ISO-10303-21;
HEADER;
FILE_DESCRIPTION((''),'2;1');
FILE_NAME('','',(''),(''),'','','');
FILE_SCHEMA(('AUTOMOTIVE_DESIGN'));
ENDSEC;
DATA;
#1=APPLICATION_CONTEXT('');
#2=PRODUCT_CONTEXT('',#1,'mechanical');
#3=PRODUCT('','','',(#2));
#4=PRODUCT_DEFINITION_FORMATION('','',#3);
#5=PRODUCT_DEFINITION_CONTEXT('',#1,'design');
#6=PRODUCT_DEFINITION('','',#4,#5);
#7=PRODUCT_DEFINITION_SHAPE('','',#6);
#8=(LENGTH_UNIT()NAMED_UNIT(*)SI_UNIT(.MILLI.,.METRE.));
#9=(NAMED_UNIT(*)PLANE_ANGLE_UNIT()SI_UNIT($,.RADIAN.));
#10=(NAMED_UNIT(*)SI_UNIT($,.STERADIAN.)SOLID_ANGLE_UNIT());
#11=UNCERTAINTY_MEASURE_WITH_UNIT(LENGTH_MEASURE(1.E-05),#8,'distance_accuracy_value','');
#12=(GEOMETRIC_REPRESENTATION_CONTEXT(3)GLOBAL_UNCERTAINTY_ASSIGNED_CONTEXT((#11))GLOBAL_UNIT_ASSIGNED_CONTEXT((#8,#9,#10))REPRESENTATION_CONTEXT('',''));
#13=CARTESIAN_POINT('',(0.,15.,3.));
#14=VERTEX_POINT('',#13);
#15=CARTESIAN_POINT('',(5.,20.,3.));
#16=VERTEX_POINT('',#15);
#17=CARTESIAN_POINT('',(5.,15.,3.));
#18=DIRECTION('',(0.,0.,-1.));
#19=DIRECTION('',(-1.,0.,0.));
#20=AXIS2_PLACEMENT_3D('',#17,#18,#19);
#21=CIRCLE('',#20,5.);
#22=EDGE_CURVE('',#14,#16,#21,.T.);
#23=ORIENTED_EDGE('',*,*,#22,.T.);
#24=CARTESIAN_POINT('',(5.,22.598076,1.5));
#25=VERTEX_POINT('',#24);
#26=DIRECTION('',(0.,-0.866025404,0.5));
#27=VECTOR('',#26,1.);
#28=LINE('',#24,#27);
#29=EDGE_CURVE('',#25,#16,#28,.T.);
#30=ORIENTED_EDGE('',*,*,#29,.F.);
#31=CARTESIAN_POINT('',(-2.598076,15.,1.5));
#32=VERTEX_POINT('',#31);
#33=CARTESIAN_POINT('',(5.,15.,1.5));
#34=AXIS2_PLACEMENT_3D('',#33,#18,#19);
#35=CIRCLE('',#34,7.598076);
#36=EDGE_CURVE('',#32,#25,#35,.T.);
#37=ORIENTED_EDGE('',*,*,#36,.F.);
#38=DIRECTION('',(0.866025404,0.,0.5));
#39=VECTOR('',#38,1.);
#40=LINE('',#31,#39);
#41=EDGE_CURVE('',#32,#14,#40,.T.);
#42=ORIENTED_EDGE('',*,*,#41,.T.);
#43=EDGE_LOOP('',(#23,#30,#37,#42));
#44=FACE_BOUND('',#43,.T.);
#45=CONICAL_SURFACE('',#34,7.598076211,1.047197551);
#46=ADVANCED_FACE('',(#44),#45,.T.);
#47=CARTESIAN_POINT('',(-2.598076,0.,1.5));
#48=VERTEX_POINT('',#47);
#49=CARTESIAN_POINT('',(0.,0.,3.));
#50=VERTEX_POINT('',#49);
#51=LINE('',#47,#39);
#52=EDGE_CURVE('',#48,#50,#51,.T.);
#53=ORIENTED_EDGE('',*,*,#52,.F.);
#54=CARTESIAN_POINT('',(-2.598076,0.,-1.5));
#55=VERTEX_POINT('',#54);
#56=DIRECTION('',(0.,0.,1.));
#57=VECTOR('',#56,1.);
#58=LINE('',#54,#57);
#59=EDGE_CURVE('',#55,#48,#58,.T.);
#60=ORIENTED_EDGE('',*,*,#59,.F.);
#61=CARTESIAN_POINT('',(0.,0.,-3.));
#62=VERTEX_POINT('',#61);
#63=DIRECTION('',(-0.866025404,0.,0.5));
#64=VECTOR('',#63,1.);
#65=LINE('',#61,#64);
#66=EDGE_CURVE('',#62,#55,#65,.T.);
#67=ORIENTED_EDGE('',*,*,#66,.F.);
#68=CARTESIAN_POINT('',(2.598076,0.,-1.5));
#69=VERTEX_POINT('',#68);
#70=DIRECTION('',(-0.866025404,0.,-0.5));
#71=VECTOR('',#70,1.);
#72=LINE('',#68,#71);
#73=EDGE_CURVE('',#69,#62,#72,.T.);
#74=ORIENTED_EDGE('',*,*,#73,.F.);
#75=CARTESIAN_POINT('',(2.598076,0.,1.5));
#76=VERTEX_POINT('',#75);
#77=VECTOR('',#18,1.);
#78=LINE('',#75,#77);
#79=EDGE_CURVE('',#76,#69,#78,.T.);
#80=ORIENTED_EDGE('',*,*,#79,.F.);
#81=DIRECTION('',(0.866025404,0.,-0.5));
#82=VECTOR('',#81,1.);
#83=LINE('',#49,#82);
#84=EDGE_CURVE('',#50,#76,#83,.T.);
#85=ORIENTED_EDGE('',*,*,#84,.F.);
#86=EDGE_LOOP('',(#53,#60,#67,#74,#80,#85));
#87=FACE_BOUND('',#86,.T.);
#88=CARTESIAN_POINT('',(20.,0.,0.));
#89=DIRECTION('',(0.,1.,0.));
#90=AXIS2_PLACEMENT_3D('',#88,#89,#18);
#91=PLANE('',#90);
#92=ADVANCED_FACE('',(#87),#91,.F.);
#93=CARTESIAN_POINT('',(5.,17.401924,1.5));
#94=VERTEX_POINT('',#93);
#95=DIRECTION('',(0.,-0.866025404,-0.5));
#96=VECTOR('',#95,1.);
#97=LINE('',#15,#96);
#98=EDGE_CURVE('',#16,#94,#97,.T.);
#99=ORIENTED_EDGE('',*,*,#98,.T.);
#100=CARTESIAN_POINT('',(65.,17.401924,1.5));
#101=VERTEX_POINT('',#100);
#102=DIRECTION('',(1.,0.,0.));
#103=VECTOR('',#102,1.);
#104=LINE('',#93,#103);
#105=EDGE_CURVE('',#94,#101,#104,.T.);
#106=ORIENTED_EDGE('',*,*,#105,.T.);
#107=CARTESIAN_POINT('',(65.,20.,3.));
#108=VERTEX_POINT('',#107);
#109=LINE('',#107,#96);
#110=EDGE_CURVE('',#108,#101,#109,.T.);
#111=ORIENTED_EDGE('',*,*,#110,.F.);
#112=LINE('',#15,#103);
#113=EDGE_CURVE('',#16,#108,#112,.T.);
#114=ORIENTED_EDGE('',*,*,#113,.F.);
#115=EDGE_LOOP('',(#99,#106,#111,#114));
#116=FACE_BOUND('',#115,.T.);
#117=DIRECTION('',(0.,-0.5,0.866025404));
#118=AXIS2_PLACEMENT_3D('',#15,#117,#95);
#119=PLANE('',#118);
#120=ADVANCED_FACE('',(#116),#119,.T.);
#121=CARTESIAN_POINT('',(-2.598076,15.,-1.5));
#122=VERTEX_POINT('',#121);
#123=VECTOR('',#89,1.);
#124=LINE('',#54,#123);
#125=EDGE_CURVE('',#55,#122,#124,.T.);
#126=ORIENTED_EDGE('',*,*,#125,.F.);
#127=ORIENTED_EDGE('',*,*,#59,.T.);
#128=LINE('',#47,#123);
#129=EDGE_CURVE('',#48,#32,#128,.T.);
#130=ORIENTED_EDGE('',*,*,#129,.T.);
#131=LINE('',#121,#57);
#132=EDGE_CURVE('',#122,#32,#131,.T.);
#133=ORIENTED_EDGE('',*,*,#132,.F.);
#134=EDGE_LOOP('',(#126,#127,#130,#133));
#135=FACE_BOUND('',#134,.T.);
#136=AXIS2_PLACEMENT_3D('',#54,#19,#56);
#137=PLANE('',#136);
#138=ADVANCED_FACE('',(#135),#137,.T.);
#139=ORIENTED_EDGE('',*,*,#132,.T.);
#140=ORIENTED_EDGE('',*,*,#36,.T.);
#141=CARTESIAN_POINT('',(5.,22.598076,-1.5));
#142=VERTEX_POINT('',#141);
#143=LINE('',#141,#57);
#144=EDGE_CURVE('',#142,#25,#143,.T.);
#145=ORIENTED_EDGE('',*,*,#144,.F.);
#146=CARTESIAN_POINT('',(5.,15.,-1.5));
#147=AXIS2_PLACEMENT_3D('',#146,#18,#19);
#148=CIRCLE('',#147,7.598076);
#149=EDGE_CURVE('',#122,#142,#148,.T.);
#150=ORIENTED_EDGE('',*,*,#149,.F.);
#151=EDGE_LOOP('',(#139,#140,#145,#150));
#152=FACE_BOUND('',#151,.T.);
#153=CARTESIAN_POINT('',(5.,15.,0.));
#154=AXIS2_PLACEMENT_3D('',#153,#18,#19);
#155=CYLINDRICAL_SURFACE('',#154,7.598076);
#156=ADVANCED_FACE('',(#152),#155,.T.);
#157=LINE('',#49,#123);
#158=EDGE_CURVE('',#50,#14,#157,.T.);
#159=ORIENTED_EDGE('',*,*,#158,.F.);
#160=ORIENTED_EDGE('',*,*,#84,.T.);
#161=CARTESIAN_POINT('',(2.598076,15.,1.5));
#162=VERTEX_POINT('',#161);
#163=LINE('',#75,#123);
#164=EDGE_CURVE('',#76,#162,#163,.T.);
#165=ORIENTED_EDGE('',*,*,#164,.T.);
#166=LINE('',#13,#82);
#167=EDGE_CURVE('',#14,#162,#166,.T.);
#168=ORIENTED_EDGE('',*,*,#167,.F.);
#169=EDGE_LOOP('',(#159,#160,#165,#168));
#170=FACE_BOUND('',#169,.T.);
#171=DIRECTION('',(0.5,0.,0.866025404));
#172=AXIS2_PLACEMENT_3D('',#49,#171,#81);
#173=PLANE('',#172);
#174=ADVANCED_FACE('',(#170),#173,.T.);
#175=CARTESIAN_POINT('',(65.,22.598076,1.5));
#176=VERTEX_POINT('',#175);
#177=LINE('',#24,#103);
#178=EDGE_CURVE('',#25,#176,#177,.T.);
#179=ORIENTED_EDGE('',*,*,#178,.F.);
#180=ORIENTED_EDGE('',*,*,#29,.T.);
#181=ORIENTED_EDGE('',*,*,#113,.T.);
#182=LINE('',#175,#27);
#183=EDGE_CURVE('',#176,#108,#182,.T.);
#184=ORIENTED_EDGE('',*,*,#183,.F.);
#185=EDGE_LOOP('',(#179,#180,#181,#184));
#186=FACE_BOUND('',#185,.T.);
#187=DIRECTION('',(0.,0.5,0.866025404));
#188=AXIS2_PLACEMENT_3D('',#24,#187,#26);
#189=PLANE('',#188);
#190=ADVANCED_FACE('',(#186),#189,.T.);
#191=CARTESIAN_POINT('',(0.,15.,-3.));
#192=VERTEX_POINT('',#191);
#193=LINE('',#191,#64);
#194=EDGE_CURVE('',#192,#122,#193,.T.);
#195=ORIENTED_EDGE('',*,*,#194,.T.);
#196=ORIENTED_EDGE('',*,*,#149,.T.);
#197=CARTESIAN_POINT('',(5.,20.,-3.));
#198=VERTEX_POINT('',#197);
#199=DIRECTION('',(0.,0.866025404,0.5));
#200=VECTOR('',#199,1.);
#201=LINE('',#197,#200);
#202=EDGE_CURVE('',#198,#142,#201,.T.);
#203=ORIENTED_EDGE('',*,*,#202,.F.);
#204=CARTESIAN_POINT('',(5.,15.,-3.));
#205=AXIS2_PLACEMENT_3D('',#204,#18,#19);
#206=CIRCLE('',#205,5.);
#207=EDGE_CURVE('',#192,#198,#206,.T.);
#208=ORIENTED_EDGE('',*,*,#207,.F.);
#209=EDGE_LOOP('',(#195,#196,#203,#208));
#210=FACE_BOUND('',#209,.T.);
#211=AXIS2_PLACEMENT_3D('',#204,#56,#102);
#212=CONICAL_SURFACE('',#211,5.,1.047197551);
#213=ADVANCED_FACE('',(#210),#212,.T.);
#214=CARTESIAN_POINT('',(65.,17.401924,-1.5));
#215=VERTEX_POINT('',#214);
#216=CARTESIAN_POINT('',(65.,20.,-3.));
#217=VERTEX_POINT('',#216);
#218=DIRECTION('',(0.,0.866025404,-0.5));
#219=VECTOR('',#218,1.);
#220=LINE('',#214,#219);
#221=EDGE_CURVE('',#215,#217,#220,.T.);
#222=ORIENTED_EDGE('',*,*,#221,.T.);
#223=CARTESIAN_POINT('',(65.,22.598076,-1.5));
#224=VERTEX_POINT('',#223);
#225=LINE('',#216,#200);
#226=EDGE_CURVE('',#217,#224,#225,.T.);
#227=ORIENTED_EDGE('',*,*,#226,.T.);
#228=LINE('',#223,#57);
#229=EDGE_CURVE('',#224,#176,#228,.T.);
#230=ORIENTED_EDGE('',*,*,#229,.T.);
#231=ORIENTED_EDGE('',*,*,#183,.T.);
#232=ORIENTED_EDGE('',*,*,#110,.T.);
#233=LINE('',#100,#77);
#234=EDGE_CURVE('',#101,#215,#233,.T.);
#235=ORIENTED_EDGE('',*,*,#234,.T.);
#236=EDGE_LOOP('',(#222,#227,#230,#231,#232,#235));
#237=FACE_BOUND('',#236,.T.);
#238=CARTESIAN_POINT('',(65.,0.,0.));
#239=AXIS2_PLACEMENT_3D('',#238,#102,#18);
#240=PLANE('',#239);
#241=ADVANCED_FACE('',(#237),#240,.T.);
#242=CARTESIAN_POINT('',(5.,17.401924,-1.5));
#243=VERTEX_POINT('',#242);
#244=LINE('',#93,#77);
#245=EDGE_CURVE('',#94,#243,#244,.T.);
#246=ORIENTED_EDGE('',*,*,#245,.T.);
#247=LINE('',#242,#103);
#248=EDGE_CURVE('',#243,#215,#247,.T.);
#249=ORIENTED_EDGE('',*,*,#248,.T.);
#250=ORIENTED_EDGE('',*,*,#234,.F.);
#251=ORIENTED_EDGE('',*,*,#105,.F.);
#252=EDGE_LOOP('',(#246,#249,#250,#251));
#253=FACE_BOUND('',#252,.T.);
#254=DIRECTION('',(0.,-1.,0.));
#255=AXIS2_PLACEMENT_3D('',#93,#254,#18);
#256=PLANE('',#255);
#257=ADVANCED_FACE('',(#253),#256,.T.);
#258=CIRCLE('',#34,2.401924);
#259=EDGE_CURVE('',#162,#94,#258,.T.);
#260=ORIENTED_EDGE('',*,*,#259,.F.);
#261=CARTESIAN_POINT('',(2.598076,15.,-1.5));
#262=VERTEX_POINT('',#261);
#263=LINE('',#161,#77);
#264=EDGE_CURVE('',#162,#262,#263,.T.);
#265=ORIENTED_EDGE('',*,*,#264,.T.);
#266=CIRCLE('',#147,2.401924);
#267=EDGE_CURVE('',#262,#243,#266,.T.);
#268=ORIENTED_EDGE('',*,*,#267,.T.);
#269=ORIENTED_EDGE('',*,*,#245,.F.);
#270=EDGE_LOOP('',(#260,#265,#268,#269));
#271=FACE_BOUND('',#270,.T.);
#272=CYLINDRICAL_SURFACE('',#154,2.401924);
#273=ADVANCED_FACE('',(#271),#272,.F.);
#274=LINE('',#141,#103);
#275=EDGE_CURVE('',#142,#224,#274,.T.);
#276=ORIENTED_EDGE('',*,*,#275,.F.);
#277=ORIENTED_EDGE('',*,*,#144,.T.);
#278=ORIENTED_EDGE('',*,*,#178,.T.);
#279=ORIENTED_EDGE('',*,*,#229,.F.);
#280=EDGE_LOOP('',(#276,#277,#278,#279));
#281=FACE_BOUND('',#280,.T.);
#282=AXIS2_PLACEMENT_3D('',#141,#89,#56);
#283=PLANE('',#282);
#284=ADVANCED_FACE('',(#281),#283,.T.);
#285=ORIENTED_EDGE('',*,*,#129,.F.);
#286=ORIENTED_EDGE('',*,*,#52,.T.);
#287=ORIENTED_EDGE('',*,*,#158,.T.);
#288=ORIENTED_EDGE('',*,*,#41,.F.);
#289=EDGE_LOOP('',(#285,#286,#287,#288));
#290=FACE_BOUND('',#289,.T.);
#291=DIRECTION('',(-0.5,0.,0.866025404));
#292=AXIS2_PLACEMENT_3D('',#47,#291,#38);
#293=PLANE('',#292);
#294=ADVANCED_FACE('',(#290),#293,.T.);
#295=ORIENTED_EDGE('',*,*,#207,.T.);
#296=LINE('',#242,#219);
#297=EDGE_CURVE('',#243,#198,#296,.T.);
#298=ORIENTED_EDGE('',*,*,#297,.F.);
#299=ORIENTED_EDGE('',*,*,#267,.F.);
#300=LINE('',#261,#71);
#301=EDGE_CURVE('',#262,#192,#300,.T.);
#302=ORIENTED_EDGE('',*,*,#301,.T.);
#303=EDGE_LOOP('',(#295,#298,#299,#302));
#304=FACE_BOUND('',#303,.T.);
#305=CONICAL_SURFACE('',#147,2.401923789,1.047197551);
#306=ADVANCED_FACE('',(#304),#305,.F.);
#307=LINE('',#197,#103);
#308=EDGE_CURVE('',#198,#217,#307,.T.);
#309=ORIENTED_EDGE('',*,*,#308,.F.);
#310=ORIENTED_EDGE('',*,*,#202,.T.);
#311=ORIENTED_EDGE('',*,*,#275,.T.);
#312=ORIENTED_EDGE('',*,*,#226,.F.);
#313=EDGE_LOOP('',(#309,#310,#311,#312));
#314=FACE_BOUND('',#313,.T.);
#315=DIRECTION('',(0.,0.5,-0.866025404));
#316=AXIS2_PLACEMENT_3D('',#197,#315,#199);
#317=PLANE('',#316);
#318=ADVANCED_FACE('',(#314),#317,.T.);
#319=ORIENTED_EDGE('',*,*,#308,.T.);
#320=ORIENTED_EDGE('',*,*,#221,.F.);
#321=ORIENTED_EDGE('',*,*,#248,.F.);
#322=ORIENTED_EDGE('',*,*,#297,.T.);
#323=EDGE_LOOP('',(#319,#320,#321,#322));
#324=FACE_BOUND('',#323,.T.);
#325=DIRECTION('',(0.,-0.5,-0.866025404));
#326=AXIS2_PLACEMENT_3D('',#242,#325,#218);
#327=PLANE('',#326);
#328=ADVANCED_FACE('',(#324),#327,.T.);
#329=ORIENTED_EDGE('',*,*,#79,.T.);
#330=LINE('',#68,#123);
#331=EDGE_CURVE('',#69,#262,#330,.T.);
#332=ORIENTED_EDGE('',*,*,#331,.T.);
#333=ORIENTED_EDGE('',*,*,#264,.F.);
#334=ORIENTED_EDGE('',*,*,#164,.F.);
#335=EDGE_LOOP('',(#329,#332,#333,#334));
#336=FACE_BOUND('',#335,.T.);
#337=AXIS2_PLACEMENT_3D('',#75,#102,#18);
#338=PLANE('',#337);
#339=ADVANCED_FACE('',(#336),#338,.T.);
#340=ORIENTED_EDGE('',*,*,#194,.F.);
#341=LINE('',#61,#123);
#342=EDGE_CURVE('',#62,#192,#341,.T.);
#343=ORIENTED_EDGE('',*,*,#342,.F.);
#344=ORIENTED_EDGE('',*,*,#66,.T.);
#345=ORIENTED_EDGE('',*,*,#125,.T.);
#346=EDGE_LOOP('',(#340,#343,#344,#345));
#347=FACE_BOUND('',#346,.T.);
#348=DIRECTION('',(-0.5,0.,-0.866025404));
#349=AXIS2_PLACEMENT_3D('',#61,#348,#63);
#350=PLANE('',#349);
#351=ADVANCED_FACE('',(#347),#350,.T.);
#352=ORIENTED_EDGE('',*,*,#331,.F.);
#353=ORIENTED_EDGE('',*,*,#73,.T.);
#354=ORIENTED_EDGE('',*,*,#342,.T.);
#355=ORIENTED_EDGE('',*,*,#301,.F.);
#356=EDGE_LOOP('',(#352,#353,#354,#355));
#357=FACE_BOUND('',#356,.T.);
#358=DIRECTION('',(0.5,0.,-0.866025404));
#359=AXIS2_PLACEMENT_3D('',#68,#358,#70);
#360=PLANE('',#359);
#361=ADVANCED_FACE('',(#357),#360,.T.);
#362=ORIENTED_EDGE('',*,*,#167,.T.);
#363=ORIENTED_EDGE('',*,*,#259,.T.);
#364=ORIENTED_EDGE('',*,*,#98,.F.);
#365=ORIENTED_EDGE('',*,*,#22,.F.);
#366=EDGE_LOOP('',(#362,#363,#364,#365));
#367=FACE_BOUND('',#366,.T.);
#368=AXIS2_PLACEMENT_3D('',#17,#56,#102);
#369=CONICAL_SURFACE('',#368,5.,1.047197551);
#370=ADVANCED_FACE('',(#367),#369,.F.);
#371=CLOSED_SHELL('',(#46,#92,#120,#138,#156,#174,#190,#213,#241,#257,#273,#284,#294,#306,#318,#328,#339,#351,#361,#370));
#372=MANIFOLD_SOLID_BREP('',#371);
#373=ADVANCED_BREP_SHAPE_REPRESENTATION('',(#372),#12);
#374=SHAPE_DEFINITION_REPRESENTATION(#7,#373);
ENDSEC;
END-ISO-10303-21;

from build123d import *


with BuildPart() as part:
    # Sweep1: sweep along a path in Sketch1
    with BuildLine(Plane.XY) as sweep1_path:
        Line((0, 0), (0, 15))
        ThreePointArc((0, 15), (1.464466094, 18.535533906), (5, 20))
        Line((5, 20), (65, 20))
    # Sketch2 → Sweep1 (sweep)
    with BuildSketch(Plane(origin=(65, 20, 0), x_dir=(0, 0, -1), z_dir=(1, 0, 0))):
        Polygon((3, 0), (1.5, 2.598076211), (-1.5, 2.598076211), (-3, 0), (-1.5, -2.598076211), (1.5, -2.598076211), align=None)
    sweep(path=sweep1_path.line)


solid = part.part
